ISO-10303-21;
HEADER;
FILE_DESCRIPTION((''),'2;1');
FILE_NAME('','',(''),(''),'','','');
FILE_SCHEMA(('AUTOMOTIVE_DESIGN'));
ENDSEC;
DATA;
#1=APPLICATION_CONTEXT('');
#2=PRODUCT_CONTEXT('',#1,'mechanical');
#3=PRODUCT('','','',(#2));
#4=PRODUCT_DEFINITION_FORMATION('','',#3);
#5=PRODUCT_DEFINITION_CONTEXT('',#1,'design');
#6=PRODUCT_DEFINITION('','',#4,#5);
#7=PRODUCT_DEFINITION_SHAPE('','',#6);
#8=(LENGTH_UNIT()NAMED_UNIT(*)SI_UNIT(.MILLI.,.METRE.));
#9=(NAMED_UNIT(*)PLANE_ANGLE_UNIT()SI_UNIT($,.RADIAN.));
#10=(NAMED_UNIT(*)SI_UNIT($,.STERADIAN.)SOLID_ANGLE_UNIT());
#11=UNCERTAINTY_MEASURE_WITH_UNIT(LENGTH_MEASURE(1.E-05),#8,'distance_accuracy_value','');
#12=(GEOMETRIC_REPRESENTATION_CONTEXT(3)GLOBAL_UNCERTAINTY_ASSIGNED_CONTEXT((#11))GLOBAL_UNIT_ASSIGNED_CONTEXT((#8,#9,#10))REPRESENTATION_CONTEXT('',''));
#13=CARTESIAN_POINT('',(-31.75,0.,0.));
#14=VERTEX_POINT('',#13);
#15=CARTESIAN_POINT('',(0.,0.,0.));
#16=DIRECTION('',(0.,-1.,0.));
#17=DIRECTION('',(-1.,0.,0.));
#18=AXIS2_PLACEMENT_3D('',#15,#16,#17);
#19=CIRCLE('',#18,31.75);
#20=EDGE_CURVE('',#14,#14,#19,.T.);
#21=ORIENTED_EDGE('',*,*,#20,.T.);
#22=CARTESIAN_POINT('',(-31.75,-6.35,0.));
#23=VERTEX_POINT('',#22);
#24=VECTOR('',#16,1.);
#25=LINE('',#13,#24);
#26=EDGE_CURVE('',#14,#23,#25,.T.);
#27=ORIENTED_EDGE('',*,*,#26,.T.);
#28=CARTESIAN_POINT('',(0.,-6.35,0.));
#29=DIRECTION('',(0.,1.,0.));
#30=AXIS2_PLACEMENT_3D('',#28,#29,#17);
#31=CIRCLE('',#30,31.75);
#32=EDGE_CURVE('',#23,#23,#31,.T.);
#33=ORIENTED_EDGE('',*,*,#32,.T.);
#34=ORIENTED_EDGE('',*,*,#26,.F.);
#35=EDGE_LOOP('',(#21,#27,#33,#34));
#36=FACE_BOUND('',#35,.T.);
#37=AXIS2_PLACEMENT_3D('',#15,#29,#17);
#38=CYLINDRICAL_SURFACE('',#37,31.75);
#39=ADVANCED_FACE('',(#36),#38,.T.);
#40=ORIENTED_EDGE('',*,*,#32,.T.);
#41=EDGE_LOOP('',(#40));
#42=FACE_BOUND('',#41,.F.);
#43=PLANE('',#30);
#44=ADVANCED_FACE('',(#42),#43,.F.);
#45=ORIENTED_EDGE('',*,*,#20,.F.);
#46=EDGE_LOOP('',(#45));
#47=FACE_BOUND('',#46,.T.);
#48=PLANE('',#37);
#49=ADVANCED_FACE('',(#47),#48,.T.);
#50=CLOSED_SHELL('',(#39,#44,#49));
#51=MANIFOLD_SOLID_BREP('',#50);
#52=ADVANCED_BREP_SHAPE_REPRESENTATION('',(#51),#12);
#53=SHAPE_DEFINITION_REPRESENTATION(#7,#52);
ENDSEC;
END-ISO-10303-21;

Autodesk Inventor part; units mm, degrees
ref_plane "YZ Plane" through (0, 0, 0) normal (1, 0, 0) x (0, 1, 0)
ref_plane "XZ Plane" through (0, 0, 0) normal (0, 1, 0) x (-1, 0, 0)
ref_plane "XY Plane" through (0, 0, 0) normal (0, 0, 1) x (1, 0, 0)
sketch "Sketch1" plane through (0, 0, 0) normal (0, 1, 0) x (-1, 0, 0)
  line L0 (0, -44.45) -> (0, 44.45) projected
  line L1 (-44.45, 0) -> (44.45, 0) projected
  circle A0 centre (0, 0) radius 31.75
  dimension "d0" = 63.5
extrude "Extrusion1" add sketch "Sketch1" against normal blind 6.35
properties part number "FLUGGER SORBOTHANE BUMPER" material "RUBBER, EPDM"
